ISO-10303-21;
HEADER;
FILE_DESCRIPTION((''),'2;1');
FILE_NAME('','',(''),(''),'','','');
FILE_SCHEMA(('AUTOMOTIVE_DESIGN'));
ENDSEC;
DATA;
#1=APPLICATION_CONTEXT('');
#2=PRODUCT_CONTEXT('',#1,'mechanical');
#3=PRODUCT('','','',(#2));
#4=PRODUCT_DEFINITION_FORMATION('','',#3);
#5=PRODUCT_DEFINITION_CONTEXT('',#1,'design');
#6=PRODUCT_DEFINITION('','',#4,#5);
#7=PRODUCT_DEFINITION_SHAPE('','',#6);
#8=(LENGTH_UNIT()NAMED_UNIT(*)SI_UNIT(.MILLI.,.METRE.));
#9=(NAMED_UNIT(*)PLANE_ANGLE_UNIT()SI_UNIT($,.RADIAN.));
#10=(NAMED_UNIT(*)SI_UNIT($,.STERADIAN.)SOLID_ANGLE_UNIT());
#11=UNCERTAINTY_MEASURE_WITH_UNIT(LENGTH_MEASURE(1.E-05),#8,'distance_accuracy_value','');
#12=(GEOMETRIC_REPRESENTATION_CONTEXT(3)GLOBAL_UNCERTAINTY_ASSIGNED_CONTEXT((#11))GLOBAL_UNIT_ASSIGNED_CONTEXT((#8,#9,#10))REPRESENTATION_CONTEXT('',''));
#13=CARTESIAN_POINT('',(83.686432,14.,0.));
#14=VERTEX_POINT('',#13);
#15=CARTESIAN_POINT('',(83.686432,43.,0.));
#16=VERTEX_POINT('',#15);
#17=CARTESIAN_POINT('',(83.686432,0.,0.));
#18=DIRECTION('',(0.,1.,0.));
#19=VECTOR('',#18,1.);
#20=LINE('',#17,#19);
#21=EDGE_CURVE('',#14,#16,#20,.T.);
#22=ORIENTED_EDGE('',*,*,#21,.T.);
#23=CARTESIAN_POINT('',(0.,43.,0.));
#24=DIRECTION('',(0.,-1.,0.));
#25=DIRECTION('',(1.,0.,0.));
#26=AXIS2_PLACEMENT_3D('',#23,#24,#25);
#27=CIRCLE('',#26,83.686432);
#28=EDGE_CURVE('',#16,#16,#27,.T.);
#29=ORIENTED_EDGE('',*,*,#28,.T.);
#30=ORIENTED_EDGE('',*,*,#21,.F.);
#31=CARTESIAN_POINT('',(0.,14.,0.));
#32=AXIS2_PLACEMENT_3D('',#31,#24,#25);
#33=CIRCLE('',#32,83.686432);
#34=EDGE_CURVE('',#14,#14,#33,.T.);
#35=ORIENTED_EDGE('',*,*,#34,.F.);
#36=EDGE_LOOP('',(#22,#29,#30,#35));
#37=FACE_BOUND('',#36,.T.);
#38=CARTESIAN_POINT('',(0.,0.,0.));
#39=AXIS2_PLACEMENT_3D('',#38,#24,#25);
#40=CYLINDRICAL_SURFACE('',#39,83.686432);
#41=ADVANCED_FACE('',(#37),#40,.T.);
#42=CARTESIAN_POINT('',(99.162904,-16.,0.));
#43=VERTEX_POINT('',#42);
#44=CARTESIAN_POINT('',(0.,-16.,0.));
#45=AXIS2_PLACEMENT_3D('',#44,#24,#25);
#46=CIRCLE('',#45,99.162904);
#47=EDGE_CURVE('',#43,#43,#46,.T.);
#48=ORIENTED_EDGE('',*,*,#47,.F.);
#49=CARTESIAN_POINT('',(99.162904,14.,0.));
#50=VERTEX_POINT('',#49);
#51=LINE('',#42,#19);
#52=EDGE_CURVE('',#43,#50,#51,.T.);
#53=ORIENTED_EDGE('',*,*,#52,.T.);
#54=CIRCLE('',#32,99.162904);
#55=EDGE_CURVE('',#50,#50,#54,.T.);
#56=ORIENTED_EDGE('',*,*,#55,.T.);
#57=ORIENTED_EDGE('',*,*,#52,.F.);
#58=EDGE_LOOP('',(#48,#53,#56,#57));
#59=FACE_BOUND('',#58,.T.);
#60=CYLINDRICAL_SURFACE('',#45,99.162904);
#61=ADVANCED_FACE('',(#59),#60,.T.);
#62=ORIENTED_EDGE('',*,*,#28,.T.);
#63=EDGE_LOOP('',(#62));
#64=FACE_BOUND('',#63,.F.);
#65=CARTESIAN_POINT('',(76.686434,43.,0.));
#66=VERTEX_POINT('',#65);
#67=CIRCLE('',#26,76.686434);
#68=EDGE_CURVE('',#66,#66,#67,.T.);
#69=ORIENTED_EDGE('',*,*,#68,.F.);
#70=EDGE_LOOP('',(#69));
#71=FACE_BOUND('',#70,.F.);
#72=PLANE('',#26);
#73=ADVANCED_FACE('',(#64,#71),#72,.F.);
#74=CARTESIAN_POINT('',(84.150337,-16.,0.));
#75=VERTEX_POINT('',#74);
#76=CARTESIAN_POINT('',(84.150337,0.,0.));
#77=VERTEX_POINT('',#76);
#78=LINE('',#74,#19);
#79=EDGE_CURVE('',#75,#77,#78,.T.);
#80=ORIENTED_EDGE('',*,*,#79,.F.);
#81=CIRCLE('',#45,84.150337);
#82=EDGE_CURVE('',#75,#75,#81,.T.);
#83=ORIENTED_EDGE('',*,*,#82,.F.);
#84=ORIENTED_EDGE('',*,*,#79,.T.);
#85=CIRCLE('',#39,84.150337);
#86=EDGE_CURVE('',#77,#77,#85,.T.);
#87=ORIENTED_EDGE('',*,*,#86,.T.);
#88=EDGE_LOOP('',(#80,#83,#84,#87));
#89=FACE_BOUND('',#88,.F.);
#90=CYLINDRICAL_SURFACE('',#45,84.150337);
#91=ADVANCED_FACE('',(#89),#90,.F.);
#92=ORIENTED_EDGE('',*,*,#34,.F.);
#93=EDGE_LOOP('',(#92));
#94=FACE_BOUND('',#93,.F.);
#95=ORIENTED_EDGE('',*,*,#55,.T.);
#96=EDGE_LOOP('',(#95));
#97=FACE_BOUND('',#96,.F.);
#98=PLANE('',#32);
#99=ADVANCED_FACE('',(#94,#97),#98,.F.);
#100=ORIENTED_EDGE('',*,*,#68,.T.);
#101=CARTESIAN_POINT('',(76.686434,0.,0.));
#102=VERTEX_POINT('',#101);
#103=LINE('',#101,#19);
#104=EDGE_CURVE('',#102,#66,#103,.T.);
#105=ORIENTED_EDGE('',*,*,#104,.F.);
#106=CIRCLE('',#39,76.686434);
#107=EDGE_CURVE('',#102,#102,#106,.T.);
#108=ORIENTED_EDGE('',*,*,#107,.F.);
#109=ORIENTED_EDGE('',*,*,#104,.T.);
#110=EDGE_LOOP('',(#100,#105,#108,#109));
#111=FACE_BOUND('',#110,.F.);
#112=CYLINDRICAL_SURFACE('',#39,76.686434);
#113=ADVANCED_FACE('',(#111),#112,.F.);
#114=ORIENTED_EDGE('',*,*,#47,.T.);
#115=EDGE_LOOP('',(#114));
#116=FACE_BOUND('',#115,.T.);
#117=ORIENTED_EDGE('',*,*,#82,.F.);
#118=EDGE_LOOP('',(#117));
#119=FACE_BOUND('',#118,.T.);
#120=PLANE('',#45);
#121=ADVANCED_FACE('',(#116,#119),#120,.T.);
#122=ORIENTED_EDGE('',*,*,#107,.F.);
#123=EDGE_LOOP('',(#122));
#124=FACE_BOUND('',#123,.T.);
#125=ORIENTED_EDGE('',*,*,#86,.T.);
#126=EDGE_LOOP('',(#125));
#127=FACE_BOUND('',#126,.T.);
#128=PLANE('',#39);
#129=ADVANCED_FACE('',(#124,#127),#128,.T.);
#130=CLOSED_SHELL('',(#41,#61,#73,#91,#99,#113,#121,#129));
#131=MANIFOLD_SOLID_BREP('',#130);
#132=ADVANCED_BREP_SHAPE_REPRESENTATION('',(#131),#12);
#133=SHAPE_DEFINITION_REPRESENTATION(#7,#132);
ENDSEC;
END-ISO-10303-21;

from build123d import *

# Parameters (mm, degrees)
F0_R     = 98.686434
F0_R_2   = 83.686432
F1_DEPTH = 16
F0_R_3   = 76.686434
F2_DEPTH = 14
F3_DEPTH = 43
F4_R     = 84.150337
F4_R_2   = 83.686432
F5_DEPTH = 16
F6_R     = 99.162904
F6_R_2   = 98.686434
F7_DEPTH = 30


with BuildPart() as f1:
    # F0 (on Front) → F1 (new body)
    with BuildSketch(Plane.XZ):
        Circle(F0_R)
        Circle(F0_R_2, mode=Mode.SUBTRACT)
    extrude(amount=F1_DEPTH)

    # F0 (on Front) → F2 (join)
    with BuildSketch(Plane.XZ):
        Circle(F0_R_2)
        Circle(F0_R_3, mode=Mode.SUBTRACT)
        Circle(F0_R)
        Circle(F0_R_2, mode=Mode.SUBTRACT)
    extrude(amount=-F2_DEPTH)

    # F0 (on Front) → F3 (join)
    with BuildSketch(Plane.XZ):
        Circle(F0_R_2)
        Circle(F0_R_3, mode=Mode.SUBTRACT)
    extrude(amount=-F3_DEPTH)

    # F4 (on face) → F5 (cut)
    with BuildSketch(Plane.XZ.offset(16)):
        Circle(F4_R)
        Circle(F4_R_2, mode=Mode.SUBTRACT)
    extrude(amount=-F5_DEPTH, mode=Mode.SUBTRACT)

    # F6 (on face) → F7 (join)
    with BuildSketch(Plane.XZ.offset(16)):
        Circle(F6_R)
        Circle(F6_R_2, mode=Mode.SUBTRACT)
    extrude(amount=-F7_DEPTH)


solid = f1.part
